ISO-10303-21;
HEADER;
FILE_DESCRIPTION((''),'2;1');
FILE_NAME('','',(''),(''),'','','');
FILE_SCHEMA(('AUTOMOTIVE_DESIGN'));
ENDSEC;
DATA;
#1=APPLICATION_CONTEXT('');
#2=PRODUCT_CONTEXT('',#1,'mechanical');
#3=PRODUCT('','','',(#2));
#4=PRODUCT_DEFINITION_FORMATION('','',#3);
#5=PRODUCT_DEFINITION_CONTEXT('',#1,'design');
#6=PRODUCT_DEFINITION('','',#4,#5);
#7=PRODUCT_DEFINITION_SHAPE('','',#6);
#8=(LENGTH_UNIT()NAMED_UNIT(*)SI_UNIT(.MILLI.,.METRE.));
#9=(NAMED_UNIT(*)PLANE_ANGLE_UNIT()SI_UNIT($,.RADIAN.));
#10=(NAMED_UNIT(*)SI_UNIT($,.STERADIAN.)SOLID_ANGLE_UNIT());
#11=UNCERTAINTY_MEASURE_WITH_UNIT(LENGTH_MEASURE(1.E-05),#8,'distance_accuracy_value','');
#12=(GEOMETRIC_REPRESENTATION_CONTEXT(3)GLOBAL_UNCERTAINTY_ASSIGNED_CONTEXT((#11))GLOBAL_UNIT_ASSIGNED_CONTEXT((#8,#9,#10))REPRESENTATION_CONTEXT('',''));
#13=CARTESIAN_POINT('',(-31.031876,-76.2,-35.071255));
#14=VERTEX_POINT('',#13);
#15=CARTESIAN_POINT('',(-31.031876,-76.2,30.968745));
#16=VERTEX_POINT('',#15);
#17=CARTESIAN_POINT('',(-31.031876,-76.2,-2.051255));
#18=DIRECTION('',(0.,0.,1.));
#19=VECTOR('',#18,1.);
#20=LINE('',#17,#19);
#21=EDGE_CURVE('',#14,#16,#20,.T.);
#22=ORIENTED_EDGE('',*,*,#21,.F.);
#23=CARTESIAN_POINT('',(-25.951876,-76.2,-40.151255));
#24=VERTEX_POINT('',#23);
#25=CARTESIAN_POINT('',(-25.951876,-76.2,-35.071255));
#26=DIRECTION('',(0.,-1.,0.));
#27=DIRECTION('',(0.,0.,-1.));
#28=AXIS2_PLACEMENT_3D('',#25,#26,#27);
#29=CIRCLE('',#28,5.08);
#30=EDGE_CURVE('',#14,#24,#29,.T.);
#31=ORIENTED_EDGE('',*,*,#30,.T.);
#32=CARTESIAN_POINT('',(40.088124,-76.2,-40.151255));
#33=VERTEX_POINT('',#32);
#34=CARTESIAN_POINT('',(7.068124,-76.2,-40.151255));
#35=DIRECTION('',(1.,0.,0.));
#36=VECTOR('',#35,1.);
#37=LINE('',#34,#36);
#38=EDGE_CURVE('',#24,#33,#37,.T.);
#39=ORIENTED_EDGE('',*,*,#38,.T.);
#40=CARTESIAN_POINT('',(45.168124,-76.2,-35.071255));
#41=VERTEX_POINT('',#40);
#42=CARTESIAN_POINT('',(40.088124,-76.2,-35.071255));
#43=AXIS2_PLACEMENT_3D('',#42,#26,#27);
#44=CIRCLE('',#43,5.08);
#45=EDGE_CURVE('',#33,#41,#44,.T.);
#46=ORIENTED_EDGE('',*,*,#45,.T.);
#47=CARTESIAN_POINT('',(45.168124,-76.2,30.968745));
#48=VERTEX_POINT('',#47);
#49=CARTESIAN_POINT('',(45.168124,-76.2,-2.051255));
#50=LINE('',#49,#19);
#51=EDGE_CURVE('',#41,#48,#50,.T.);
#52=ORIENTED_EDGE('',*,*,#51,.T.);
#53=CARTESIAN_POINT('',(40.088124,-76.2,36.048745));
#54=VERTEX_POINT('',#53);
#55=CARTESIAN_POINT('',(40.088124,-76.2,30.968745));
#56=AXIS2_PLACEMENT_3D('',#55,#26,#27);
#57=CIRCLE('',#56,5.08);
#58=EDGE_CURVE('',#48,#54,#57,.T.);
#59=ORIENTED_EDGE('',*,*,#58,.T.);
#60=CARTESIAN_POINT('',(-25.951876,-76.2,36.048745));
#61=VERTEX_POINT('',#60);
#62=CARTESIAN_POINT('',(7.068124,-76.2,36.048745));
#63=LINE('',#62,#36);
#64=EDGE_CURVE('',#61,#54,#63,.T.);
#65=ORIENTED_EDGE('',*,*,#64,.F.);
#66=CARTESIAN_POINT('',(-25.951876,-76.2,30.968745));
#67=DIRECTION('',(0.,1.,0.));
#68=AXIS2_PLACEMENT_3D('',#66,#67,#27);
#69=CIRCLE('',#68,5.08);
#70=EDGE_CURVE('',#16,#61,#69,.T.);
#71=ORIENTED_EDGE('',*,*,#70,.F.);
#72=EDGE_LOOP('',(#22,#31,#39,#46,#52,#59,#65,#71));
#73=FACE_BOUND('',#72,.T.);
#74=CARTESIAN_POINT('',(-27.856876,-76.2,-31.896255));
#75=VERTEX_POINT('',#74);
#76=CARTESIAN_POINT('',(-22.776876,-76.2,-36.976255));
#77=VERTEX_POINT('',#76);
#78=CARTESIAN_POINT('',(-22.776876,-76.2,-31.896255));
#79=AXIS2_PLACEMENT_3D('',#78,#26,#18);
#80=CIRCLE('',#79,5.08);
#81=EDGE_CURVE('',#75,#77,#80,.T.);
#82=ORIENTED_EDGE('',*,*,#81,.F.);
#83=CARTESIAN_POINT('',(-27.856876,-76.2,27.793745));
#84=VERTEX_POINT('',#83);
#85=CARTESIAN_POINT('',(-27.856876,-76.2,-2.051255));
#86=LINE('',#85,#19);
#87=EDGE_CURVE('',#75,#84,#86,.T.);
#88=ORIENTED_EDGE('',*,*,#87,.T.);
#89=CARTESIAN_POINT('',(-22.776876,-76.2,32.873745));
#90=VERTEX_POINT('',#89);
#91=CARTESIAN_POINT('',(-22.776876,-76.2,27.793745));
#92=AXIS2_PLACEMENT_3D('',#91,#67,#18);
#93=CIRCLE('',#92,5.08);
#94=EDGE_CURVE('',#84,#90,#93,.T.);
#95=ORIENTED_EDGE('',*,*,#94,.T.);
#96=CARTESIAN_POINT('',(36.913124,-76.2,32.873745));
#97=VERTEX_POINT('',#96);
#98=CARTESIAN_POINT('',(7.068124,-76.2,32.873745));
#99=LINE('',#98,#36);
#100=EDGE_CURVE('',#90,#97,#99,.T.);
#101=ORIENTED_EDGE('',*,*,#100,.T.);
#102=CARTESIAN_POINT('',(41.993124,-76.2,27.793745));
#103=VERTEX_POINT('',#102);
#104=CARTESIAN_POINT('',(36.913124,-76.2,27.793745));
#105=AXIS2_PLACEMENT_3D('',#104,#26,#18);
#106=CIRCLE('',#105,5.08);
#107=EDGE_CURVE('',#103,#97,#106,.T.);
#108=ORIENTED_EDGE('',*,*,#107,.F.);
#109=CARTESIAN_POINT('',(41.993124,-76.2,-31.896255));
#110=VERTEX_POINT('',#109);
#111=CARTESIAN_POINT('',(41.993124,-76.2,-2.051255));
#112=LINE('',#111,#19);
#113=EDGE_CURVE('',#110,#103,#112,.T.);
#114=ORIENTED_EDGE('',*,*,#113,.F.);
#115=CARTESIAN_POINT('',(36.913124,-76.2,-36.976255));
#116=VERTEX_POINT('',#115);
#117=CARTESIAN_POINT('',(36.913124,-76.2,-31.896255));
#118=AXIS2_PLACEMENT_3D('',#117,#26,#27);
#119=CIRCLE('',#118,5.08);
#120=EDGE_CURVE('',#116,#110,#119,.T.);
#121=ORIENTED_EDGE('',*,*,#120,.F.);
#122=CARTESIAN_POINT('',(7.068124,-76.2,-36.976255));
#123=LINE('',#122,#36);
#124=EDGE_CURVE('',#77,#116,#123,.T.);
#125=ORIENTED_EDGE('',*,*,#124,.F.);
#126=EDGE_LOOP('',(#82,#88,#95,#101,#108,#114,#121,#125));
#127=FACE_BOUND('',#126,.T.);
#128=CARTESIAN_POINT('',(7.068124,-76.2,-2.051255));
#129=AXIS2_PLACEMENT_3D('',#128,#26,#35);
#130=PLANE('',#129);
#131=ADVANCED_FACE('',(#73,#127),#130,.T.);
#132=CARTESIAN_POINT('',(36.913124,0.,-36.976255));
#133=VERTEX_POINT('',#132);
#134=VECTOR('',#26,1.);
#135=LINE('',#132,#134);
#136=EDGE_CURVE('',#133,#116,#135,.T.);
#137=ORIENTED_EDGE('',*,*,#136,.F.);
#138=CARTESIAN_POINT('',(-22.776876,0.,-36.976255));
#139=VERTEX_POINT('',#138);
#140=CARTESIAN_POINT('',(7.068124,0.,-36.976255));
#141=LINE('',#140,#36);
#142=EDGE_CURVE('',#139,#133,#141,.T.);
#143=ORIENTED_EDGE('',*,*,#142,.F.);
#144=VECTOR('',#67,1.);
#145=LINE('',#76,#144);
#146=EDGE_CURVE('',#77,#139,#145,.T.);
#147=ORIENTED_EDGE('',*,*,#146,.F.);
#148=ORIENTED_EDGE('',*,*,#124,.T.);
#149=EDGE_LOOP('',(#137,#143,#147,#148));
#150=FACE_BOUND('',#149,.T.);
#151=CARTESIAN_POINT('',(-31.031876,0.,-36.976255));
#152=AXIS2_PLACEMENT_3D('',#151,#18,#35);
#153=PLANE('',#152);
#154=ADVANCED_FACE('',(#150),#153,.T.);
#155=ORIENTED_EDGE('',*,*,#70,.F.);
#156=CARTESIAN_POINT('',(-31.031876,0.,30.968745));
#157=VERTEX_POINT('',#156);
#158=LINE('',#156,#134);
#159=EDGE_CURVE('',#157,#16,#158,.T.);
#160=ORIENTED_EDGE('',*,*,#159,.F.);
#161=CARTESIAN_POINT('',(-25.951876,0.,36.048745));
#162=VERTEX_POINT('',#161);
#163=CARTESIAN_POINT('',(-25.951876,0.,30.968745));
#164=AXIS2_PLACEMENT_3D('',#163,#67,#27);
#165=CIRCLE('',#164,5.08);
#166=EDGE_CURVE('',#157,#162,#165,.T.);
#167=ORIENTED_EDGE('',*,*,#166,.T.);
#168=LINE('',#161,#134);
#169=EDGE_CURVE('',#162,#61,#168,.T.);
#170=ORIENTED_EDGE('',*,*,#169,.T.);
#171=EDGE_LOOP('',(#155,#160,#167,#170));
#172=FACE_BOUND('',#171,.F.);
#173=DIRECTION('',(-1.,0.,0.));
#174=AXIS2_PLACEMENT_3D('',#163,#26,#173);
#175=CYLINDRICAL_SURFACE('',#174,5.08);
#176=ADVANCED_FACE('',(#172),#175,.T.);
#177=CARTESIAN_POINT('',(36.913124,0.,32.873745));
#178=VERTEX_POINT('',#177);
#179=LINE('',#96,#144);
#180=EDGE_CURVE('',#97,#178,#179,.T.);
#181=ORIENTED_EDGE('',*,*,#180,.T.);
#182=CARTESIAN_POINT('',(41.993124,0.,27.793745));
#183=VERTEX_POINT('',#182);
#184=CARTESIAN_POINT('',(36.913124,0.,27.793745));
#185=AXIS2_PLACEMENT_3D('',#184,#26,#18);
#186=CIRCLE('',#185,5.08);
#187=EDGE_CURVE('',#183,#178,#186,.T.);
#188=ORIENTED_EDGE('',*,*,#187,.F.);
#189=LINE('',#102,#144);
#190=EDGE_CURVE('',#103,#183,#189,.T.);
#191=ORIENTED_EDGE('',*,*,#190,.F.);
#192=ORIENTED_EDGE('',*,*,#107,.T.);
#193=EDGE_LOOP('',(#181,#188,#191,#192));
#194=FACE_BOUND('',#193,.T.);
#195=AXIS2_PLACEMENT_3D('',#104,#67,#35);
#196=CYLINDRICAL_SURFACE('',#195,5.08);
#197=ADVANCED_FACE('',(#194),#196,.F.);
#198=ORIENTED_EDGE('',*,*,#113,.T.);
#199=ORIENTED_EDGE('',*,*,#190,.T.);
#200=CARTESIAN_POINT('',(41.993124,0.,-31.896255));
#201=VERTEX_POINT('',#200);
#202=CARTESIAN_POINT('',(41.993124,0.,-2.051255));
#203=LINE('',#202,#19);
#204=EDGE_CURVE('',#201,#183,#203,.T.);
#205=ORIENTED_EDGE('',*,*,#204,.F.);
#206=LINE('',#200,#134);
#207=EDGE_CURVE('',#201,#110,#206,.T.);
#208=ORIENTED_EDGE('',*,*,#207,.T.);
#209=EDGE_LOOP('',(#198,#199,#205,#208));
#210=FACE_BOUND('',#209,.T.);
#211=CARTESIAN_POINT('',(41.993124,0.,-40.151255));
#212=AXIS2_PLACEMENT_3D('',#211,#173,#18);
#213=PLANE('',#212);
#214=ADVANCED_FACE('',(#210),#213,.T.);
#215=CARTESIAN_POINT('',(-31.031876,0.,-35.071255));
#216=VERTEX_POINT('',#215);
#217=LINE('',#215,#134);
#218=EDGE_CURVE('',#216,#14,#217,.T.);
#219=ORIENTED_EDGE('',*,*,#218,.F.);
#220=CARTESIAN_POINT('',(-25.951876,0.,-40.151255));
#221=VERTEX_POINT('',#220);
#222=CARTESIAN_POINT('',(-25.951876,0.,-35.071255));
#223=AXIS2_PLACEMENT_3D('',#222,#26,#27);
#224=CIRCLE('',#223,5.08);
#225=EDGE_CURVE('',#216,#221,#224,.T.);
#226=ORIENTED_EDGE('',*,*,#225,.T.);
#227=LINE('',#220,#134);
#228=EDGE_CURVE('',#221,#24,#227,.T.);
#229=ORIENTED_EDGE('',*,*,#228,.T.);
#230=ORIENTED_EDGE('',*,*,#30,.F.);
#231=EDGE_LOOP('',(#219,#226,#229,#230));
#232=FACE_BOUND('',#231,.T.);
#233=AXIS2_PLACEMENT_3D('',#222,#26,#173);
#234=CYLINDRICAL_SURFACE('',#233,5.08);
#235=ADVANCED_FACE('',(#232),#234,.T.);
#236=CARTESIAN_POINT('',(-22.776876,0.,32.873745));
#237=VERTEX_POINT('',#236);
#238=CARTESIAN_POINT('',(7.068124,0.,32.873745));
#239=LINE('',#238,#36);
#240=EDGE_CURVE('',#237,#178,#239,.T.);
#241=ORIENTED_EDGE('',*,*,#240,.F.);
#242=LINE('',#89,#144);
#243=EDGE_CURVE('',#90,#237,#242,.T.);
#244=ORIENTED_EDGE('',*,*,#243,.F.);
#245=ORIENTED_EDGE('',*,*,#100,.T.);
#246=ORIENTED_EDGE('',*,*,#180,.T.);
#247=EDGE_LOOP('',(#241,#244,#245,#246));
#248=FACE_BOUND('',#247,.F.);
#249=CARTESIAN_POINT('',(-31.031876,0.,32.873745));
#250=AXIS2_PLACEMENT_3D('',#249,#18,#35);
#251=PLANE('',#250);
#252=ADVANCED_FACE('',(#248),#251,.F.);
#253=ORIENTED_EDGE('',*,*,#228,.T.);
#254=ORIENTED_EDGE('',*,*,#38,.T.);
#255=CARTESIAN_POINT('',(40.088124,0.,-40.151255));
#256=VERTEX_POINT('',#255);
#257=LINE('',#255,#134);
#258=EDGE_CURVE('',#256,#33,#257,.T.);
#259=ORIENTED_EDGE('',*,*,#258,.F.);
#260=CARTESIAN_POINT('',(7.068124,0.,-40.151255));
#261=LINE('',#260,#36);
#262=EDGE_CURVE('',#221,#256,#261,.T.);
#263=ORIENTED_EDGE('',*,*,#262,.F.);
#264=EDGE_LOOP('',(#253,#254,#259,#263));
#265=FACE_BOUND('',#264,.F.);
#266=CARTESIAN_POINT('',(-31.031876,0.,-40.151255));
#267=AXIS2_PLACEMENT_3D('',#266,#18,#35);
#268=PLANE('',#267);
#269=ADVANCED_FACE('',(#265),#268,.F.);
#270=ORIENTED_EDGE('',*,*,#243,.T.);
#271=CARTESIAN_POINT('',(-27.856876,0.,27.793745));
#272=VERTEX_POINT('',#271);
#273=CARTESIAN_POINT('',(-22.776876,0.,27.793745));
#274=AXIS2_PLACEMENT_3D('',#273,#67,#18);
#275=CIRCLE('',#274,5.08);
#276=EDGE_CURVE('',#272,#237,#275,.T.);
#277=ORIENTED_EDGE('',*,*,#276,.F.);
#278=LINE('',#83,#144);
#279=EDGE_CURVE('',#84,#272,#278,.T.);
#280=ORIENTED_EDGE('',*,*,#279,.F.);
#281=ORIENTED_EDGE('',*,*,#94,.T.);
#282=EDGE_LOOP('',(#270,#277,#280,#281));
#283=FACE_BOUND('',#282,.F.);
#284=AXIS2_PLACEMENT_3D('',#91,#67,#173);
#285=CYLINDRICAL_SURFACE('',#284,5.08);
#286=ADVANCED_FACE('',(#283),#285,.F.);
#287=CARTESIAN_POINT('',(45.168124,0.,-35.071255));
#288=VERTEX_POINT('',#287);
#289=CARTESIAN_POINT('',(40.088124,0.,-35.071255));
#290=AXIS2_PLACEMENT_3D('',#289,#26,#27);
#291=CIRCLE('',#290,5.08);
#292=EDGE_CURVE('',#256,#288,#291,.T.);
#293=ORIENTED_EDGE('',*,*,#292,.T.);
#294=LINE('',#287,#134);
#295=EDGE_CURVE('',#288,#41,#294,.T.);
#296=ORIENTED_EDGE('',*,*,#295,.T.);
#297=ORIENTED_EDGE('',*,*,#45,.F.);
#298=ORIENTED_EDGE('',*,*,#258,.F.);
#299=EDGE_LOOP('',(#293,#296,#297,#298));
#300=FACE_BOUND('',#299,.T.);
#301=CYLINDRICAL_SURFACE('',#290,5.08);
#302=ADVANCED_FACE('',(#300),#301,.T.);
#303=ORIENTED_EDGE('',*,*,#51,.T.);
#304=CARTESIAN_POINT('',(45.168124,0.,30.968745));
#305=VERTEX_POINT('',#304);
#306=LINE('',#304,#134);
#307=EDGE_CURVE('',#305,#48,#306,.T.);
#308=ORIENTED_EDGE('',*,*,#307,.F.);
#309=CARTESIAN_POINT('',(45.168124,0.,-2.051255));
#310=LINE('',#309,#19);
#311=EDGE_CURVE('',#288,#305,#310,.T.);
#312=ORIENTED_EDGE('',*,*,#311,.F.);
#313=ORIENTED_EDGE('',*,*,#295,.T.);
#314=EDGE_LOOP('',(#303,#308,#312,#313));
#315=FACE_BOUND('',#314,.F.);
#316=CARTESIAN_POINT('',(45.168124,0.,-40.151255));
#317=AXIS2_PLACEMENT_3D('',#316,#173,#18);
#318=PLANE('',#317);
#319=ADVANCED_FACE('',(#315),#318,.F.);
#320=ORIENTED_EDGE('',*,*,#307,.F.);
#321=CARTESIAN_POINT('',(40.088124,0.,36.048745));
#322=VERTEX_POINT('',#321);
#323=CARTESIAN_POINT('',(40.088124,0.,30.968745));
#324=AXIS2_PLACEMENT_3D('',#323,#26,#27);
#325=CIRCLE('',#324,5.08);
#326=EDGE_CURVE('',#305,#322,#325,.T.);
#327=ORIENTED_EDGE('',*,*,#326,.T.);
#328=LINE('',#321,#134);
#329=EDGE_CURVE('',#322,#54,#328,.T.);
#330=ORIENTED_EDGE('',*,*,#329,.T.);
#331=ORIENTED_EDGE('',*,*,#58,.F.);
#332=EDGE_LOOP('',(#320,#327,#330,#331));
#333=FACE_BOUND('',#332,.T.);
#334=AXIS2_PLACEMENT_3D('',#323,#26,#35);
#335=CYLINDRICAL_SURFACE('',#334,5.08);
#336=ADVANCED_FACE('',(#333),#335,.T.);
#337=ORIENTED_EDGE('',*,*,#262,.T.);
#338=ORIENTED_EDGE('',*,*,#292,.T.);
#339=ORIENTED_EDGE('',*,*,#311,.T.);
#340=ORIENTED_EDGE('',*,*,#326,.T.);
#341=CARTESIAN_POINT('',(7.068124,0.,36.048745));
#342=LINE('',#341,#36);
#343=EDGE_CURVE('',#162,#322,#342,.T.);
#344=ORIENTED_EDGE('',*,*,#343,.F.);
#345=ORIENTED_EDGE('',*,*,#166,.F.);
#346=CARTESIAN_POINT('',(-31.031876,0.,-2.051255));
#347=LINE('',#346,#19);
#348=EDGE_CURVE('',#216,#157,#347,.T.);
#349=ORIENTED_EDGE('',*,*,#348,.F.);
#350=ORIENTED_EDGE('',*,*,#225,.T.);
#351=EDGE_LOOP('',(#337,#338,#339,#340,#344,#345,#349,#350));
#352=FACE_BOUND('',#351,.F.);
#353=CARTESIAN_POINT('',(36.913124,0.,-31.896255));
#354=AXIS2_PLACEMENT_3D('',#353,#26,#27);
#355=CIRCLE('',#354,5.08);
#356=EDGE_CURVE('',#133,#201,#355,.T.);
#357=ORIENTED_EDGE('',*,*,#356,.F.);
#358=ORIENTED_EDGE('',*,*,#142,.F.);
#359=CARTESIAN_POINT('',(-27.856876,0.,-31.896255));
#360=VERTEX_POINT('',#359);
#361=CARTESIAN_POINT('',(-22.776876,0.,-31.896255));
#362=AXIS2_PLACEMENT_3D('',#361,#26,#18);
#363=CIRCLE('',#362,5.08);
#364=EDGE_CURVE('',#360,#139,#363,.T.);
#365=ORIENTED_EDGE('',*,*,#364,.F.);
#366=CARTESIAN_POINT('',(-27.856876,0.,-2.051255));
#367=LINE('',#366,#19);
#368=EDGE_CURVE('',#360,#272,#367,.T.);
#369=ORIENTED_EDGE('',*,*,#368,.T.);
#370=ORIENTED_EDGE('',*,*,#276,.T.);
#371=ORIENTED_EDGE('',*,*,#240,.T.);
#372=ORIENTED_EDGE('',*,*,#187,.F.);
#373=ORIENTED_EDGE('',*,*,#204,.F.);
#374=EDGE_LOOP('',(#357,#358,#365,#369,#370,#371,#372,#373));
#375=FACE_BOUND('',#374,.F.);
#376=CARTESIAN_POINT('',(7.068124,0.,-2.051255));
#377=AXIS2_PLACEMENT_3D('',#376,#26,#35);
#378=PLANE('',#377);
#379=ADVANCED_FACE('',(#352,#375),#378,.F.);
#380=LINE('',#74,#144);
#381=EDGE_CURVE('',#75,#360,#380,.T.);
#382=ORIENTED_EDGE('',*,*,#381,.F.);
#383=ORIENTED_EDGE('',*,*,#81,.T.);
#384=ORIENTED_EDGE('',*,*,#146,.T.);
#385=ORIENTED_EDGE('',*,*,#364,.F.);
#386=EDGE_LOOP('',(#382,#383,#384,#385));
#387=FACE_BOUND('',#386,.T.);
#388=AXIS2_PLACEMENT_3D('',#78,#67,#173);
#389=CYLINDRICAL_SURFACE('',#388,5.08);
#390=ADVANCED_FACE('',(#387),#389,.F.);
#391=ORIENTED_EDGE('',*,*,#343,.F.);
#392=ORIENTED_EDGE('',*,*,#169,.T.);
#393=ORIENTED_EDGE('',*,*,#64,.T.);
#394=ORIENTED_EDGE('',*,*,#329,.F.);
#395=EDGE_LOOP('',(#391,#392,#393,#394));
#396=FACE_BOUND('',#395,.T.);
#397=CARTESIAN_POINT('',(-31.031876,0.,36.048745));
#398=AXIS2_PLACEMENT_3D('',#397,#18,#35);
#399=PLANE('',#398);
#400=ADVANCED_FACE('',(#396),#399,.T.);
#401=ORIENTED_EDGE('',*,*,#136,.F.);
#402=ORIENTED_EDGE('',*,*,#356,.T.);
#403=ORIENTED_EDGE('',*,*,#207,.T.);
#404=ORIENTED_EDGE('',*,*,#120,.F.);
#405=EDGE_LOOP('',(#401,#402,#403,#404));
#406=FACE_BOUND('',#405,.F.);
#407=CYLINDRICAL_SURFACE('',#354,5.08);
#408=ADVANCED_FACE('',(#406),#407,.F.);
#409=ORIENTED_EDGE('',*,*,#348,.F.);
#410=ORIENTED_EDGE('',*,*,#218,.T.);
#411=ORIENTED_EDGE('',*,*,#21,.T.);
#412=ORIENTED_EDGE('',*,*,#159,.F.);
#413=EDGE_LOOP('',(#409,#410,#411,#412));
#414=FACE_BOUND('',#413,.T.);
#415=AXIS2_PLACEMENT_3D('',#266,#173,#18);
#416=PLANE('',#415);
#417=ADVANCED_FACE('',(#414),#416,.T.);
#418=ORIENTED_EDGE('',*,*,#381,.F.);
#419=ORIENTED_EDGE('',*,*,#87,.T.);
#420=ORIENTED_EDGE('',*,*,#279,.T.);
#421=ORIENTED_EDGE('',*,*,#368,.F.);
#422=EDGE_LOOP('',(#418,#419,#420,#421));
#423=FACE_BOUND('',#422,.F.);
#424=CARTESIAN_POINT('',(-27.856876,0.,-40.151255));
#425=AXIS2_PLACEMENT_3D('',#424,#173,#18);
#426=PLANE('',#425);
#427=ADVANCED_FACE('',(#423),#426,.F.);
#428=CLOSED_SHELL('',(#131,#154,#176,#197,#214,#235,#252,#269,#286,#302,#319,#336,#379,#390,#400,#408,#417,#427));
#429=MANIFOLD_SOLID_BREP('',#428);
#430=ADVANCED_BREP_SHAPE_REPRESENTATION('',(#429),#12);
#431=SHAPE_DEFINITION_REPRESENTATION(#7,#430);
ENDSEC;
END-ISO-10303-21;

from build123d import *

# Parameters (mm, degrees)
F0_W     = 76.2
F0_H     = 76.2
F1_DEPTH = 76.2
F2_T     = -3.175
F3_R     = 5.08


with BuildPart() as f1:
    # F0 (on Front) → F1 (new body)
    with BuildSketch(Plane.XZ):
        with Locations((7.068123761, -2.0512547344)):
            Rectangle(F0_W, F0_H)
    extrude(amount=F1_DEPTH)

    # F2
    f2_openings = [f1.faces().sort_by_distance(p)[0] for p in [
        (7.068124, -76.2, -2.051255),
        (7.068124, 0, -2.051255),
    ]]
    offset(amount=F2_T, openings=f2_openings)

    # F3
    f3_edges = [f1.edges().sort_by_distance(p)[0] for p in [
        (-27.856876, -38.1, 32.873745),
        (41.993124, -38.1, -36.976255),
        (41.993124, -38.1, 32.873745),
        (-31.031876, -38.1, -40.151255),
        (45.168124, -38.1, -40.151255),
        (45.168124, -38.1, 36.048745),
        (-31.031876, -38.1, 36.048745),
        (-27.856876, -38.1, -36.976255),
    ]]
    fillet(f3_edges, radius=F3_R)


solid = f1.part
